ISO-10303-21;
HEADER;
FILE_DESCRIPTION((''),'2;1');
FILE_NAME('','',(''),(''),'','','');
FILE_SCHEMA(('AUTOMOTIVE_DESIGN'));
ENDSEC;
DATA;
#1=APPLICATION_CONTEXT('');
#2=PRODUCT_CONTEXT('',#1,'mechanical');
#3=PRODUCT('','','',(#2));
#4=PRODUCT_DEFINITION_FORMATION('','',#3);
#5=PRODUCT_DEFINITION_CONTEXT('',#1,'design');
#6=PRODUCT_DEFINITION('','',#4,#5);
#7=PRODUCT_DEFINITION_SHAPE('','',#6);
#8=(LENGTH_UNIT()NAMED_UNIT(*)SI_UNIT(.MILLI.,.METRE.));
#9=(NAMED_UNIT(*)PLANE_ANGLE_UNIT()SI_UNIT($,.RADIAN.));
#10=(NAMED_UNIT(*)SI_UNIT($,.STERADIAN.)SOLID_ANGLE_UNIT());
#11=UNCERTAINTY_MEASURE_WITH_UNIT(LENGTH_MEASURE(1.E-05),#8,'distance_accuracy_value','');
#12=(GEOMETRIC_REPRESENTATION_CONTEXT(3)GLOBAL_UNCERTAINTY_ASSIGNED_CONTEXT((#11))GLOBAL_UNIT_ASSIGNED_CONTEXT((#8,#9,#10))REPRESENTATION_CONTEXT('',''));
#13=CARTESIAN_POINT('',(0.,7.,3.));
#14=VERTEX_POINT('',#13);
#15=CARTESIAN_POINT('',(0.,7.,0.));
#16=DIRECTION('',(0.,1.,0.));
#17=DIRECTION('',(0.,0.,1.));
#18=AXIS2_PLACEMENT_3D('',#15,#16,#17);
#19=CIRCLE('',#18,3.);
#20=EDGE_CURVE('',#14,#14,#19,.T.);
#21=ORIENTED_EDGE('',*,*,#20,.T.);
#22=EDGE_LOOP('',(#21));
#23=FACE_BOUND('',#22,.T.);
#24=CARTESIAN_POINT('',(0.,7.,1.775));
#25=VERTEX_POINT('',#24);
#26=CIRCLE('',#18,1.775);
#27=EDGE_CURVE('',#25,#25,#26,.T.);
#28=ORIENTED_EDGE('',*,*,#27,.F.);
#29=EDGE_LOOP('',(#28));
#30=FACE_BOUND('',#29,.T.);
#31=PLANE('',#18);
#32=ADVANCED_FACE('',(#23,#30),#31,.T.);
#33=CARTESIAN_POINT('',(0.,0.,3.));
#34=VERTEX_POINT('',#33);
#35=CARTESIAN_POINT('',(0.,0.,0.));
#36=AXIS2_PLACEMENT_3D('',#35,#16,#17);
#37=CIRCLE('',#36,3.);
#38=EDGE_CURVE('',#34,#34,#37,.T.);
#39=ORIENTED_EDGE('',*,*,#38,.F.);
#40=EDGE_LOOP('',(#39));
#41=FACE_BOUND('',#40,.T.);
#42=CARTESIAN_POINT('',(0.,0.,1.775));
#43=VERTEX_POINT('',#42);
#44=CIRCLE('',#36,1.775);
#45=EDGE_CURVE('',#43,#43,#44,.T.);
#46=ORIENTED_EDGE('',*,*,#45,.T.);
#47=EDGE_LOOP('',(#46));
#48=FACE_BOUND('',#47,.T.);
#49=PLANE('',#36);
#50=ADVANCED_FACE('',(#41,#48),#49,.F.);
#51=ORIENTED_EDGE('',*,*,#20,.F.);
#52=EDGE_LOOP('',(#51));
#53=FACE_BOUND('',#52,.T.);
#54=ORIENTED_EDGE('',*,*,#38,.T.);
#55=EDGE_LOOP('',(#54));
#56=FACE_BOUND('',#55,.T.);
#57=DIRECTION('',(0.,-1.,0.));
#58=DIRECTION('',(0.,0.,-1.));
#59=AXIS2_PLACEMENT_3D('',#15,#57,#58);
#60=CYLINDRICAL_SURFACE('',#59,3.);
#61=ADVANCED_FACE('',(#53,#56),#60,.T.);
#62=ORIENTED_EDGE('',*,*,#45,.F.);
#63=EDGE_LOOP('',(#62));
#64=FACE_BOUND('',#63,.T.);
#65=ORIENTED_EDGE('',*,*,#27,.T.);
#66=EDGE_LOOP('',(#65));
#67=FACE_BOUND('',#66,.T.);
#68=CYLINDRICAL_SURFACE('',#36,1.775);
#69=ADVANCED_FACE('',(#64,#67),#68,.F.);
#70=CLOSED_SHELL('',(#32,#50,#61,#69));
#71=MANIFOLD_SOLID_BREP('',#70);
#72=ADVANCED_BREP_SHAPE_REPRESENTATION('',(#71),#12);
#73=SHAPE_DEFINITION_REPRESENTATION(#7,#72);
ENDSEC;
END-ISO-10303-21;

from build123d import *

# Parameters (mm, degrees)
SKETCH2_R           = 3
BOSS_EXTRUDE1_DEPTH = 7
SKETCH3_R           = 1.775
CUT_EXTRUDE1_DEPTH  = 9.185352772


with BuildPart() as part:
    # Sketch2 → Boss-Extrude1 (new body)
    with BuildSketch(Plane(origin=(0, 0, 0), x_dir=(1, 0, 0), z_dir=(0, 1, 0))):
        with Locations(Location((0, 0, 0), (0, 0, 270))):
            Circle(SKETCH2_R)
    extrude(amount=BOSS_EXTRUDE1_DEPTH)

    # Sketch3 → Cut-Extrude1 (cut, through all)
    with BuildSketch(Plane(origin=(0, 7, 0), x_dir=(1, 0, 0), z_dir=(0, 1, 0))):
        with Locations(Location((0, 0, 0), (0, 0, 270))):
            Circle(SKETCH3_R)
    extrude(amount=-CUT_EXTRUDE1_DEPTH, mode=Mode.SUBTRACT)


solid = part.part
